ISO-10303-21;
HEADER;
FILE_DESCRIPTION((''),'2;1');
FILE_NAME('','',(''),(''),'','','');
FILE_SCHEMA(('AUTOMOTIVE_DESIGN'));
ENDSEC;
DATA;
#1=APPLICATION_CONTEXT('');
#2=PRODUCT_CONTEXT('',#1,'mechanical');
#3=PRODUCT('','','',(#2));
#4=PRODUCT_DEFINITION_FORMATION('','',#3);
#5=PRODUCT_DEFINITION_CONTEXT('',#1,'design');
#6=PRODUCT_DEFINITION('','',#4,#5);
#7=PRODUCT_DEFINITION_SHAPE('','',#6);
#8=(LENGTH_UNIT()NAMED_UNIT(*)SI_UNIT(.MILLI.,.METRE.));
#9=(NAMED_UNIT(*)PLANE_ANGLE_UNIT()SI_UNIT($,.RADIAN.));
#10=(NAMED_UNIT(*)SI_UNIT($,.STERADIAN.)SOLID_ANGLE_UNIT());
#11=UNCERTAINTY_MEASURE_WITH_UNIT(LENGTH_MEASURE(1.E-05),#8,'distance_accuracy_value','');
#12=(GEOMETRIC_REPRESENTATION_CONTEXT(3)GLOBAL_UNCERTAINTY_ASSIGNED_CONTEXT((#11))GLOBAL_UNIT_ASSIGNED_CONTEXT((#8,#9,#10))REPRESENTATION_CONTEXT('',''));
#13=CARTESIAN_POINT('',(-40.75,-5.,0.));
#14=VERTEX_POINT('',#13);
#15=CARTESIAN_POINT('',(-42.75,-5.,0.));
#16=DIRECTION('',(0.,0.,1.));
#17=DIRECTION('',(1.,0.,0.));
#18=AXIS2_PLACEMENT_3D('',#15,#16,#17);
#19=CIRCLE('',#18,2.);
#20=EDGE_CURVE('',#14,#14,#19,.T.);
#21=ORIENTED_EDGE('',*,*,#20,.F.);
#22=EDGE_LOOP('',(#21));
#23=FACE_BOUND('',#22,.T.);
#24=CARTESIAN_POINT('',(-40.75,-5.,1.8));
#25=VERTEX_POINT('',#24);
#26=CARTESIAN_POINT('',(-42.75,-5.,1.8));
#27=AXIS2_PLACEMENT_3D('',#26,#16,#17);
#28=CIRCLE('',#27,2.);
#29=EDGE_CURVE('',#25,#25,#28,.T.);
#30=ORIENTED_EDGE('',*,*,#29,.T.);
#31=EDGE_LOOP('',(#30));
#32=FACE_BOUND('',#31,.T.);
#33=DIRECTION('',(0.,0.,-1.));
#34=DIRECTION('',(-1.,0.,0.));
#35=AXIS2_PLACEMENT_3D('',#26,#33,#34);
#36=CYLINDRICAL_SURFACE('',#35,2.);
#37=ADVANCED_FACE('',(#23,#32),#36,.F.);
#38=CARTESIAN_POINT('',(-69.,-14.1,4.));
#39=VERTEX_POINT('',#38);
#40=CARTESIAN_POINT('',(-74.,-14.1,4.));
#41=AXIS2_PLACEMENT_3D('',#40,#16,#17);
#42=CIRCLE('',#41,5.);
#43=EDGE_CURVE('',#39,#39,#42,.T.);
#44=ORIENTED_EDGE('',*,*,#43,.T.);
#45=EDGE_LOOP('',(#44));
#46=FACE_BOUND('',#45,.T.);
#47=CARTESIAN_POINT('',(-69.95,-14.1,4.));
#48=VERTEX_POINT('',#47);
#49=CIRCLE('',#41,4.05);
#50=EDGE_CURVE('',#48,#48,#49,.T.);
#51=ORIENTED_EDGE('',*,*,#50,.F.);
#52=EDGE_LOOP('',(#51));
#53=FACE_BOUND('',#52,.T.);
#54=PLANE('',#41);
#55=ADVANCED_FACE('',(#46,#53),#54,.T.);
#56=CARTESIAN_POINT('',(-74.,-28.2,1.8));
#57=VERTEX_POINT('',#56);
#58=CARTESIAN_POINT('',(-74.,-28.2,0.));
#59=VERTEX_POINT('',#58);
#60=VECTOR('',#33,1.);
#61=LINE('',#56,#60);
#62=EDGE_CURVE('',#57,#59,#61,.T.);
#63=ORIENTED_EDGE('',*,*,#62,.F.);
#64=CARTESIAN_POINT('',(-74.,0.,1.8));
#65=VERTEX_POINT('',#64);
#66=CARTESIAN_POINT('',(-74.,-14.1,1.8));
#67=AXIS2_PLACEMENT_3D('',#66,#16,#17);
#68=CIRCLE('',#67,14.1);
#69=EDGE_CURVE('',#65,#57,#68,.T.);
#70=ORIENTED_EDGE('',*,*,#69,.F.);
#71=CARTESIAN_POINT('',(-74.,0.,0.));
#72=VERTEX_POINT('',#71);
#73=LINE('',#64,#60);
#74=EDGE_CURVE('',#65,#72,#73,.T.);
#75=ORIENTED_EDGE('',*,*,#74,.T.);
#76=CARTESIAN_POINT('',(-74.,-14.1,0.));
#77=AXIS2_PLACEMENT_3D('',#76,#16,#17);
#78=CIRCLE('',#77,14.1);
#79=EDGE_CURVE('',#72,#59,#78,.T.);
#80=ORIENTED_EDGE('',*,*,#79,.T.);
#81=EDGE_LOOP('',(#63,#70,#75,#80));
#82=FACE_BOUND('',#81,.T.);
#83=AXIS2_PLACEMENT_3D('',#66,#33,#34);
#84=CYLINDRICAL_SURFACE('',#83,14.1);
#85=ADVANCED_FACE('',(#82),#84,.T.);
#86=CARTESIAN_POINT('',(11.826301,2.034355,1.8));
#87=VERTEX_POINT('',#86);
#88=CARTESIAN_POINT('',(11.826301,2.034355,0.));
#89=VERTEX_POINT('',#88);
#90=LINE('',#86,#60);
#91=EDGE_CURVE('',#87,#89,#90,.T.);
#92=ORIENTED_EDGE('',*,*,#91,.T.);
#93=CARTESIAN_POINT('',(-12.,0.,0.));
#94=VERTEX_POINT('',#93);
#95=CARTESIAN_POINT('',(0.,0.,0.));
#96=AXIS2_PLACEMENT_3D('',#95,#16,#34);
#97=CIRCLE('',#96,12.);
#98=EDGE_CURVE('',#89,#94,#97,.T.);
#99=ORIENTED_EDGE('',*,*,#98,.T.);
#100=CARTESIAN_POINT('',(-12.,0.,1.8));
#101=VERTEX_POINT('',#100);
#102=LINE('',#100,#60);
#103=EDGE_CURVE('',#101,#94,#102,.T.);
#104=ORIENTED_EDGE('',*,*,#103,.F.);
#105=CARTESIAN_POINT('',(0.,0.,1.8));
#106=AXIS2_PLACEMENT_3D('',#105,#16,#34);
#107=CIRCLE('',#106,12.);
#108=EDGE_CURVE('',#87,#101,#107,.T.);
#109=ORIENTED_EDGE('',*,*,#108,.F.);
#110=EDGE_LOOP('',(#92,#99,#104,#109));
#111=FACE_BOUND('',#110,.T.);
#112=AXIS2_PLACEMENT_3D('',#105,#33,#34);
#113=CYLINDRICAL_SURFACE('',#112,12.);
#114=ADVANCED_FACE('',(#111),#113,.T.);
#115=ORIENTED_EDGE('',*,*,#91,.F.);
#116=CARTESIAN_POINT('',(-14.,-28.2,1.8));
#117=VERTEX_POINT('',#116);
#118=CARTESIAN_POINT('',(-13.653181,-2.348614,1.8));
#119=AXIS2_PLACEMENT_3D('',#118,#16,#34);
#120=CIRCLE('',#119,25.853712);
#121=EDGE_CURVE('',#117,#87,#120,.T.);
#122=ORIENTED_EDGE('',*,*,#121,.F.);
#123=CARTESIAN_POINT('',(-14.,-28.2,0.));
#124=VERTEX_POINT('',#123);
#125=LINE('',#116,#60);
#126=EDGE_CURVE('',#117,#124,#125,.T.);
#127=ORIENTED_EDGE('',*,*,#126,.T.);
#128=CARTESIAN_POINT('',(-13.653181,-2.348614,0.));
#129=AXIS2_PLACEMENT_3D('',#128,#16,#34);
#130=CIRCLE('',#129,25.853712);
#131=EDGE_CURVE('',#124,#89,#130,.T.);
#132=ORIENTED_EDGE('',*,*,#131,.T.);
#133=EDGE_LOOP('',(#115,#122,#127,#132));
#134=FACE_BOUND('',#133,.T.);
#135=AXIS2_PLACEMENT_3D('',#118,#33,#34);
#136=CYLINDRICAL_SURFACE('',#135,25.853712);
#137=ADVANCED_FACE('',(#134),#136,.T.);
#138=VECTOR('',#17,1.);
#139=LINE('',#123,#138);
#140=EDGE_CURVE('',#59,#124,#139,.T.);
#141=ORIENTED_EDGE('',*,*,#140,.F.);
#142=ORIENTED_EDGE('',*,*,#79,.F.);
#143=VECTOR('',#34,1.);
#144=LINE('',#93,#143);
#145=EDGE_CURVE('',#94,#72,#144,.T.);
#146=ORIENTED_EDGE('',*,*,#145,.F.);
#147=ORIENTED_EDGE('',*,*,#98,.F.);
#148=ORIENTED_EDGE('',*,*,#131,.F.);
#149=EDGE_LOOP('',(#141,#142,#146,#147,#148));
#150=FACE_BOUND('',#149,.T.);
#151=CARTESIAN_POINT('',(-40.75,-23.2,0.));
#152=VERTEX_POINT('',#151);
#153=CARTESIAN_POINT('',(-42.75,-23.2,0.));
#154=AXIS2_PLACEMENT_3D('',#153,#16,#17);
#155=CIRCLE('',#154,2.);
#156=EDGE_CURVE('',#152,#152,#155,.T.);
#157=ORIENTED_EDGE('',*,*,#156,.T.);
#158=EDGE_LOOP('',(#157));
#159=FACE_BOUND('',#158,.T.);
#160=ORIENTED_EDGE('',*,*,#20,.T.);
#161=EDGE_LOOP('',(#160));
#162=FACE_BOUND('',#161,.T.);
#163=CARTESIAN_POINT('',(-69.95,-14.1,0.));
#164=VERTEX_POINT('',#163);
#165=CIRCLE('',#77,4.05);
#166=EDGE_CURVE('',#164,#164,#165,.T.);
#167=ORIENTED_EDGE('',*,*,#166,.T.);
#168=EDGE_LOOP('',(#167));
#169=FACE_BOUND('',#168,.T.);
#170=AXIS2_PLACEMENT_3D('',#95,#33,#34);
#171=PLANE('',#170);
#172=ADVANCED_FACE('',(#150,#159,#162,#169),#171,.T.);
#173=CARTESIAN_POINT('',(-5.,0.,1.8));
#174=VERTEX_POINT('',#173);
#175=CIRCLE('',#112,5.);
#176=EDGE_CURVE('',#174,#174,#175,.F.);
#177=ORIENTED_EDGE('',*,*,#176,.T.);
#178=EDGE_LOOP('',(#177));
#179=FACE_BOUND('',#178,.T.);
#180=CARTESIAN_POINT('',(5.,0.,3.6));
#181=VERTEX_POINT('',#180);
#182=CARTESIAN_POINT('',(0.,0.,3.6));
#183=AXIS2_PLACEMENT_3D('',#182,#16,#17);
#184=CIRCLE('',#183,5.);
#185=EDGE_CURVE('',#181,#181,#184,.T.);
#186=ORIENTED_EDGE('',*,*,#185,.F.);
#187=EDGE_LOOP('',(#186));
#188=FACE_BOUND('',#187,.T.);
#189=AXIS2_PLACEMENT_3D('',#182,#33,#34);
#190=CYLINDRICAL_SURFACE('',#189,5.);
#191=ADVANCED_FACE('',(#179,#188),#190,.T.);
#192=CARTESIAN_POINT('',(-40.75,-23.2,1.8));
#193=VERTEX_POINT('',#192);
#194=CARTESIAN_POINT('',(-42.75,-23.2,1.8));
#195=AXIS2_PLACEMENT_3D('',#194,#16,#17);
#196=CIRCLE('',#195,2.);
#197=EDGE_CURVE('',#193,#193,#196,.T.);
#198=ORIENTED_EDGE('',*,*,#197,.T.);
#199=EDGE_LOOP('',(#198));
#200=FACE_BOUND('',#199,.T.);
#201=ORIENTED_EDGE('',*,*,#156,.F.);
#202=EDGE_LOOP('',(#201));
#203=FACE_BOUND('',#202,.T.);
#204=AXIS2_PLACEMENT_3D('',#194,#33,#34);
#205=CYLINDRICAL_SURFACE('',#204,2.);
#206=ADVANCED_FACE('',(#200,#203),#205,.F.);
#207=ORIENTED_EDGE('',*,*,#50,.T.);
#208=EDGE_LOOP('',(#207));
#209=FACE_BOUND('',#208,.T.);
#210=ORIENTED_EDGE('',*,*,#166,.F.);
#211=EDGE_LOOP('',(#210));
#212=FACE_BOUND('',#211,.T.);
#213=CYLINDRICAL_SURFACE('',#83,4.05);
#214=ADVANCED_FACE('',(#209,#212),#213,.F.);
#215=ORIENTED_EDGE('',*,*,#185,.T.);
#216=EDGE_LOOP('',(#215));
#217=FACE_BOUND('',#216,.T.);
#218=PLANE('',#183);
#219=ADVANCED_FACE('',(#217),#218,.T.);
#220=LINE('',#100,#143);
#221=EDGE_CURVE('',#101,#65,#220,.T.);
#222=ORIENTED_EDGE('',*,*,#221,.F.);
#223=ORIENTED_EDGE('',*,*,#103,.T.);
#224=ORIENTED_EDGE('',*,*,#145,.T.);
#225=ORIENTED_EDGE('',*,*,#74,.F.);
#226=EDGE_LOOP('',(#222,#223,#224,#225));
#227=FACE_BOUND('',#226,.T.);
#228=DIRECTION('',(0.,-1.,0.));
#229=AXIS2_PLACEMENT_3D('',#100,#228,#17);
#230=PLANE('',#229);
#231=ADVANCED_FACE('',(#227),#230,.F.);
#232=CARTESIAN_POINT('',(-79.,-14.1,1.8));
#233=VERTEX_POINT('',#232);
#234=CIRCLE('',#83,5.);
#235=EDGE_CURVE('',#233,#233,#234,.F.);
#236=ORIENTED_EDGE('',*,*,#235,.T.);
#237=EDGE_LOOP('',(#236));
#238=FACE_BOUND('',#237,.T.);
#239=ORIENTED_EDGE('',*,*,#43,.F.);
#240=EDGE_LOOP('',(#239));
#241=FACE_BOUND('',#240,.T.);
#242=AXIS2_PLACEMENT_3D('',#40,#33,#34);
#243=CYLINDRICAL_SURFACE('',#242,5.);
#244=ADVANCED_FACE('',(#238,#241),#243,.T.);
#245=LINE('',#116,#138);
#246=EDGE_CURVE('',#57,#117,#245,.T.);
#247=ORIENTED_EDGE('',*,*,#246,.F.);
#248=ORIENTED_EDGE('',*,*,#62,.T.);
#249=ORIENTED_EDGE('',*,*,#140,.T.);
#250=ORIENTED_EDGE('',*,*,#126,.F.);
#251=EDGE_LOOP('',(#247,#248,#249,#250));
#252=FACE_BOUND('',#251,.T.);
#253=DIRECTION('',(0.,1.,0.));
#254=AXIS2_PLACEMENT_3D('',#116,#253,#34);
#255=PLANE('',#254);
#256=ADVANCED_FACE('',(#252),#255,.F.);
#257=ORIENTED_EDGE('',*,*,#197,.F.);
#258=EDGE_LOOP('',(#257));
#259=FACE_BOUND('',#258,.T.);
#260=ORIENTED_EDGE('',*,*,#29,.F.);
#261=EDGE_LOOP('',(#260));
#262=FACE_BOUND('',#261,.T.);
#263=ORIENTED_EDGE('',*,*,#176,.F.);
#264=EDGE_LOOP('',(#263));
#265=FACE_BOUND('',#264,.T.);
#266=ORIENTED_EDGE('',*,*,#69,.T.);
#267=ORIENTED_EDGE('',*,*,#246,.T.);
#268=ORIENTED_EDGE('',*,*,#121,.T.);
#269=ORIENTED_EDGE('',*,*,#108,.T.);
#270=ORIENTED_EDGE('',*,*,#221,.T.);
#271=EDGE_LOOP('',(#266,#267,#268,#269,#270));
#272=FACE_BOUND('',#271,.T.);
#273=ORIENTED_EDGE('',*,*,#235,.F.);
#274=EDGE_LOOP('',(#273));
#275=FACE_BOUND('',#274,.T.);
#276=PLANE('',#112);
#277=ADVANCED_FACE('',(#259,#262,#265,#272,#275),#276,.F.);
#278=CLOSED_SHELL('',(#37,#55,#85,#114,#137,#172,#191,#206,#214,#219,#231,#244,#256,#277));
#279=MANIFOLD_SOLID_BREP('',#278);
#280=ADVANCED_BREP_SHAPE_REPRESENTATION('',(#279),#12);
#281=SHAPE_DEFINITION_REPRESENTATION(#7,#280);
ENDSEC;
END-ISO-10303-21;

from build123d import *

# Parameters (mm, degrees)
ESBO_O1_R                = 4.05
ESBO_O1_R_2              = 2
RESSALTO_EXTRUS_O1_DEPTH = 1.8
ESBO_O2_R                = 5
RESSALTO_EXTRUS_O2_DEPTH = 3.6
ESBO_O4_R                = 5
ESBO_O4_R_2              = 4.05
RESSALTO_EXTRUS_O3_DEPTH = 2.2


with BuildPart() as part:
    # Esboço1 → Ressalto-extrusão1 (new body)
    with BuildSketch(Plane.XY):
        with BuildLine():
            Line((-12, 0), (-74, 0))
            ThreePointArc((-74, 0), (-88.1, -14.1), (-74, -28.2))
            Line((-74, -28.2), (-14, -28.2))
            ThreePointArc((-14, -28.2), (6.004940765, -19.140656488), (11.826301138, 2.034355278))
            ThreePointArc((11.826301138, 2.034355278), (-1.020878628, 11.956496428), (-12, 0))
        make_face()
        with Locations((-74, -14.1)):
            Circle(ESBO_O1_R, mode=Mode.SUBTRACT)
        with Locations((-42.75, -5)):
            Circle(ESBO_O1_R_2, mode=Mode.SUBTRACT)
        with Locations((-42.75, -23.2)):
            Circle(ESBO_O1_R_2, mode=Mode.SUBTRACT)
    extrude(amount=RESSALTO_EXTRUS_O1_DEPTH)

    # Esboço2 → Ressalto-extrusão2 (add)
    with BuildSketch(Plane.XY):
        with Locations(Location((0, 0, 0), (0, 0, 180))):
            Circle(ESBO_O2_R)
    extrude(amount=RESSALTO_EXTRUS_O2_DEPTH)

    # Esboço4 → Ressalto-extrusão3 (add)
    with BuildSketch(Plane.XY.offset(1.8)):
        with Locations(Location((-74, -14.1, 0), (0, 0, 180))):
            Circle(ESBO_O4_R)
        with Locations((-74, -14.1)):
            Circle(ESBO_O4_R_2, mode=Mode.SUBTRACT)
    extrude(amount=RESSALTO_EXTRUS_O3_DEPTH)


solid = part.part
